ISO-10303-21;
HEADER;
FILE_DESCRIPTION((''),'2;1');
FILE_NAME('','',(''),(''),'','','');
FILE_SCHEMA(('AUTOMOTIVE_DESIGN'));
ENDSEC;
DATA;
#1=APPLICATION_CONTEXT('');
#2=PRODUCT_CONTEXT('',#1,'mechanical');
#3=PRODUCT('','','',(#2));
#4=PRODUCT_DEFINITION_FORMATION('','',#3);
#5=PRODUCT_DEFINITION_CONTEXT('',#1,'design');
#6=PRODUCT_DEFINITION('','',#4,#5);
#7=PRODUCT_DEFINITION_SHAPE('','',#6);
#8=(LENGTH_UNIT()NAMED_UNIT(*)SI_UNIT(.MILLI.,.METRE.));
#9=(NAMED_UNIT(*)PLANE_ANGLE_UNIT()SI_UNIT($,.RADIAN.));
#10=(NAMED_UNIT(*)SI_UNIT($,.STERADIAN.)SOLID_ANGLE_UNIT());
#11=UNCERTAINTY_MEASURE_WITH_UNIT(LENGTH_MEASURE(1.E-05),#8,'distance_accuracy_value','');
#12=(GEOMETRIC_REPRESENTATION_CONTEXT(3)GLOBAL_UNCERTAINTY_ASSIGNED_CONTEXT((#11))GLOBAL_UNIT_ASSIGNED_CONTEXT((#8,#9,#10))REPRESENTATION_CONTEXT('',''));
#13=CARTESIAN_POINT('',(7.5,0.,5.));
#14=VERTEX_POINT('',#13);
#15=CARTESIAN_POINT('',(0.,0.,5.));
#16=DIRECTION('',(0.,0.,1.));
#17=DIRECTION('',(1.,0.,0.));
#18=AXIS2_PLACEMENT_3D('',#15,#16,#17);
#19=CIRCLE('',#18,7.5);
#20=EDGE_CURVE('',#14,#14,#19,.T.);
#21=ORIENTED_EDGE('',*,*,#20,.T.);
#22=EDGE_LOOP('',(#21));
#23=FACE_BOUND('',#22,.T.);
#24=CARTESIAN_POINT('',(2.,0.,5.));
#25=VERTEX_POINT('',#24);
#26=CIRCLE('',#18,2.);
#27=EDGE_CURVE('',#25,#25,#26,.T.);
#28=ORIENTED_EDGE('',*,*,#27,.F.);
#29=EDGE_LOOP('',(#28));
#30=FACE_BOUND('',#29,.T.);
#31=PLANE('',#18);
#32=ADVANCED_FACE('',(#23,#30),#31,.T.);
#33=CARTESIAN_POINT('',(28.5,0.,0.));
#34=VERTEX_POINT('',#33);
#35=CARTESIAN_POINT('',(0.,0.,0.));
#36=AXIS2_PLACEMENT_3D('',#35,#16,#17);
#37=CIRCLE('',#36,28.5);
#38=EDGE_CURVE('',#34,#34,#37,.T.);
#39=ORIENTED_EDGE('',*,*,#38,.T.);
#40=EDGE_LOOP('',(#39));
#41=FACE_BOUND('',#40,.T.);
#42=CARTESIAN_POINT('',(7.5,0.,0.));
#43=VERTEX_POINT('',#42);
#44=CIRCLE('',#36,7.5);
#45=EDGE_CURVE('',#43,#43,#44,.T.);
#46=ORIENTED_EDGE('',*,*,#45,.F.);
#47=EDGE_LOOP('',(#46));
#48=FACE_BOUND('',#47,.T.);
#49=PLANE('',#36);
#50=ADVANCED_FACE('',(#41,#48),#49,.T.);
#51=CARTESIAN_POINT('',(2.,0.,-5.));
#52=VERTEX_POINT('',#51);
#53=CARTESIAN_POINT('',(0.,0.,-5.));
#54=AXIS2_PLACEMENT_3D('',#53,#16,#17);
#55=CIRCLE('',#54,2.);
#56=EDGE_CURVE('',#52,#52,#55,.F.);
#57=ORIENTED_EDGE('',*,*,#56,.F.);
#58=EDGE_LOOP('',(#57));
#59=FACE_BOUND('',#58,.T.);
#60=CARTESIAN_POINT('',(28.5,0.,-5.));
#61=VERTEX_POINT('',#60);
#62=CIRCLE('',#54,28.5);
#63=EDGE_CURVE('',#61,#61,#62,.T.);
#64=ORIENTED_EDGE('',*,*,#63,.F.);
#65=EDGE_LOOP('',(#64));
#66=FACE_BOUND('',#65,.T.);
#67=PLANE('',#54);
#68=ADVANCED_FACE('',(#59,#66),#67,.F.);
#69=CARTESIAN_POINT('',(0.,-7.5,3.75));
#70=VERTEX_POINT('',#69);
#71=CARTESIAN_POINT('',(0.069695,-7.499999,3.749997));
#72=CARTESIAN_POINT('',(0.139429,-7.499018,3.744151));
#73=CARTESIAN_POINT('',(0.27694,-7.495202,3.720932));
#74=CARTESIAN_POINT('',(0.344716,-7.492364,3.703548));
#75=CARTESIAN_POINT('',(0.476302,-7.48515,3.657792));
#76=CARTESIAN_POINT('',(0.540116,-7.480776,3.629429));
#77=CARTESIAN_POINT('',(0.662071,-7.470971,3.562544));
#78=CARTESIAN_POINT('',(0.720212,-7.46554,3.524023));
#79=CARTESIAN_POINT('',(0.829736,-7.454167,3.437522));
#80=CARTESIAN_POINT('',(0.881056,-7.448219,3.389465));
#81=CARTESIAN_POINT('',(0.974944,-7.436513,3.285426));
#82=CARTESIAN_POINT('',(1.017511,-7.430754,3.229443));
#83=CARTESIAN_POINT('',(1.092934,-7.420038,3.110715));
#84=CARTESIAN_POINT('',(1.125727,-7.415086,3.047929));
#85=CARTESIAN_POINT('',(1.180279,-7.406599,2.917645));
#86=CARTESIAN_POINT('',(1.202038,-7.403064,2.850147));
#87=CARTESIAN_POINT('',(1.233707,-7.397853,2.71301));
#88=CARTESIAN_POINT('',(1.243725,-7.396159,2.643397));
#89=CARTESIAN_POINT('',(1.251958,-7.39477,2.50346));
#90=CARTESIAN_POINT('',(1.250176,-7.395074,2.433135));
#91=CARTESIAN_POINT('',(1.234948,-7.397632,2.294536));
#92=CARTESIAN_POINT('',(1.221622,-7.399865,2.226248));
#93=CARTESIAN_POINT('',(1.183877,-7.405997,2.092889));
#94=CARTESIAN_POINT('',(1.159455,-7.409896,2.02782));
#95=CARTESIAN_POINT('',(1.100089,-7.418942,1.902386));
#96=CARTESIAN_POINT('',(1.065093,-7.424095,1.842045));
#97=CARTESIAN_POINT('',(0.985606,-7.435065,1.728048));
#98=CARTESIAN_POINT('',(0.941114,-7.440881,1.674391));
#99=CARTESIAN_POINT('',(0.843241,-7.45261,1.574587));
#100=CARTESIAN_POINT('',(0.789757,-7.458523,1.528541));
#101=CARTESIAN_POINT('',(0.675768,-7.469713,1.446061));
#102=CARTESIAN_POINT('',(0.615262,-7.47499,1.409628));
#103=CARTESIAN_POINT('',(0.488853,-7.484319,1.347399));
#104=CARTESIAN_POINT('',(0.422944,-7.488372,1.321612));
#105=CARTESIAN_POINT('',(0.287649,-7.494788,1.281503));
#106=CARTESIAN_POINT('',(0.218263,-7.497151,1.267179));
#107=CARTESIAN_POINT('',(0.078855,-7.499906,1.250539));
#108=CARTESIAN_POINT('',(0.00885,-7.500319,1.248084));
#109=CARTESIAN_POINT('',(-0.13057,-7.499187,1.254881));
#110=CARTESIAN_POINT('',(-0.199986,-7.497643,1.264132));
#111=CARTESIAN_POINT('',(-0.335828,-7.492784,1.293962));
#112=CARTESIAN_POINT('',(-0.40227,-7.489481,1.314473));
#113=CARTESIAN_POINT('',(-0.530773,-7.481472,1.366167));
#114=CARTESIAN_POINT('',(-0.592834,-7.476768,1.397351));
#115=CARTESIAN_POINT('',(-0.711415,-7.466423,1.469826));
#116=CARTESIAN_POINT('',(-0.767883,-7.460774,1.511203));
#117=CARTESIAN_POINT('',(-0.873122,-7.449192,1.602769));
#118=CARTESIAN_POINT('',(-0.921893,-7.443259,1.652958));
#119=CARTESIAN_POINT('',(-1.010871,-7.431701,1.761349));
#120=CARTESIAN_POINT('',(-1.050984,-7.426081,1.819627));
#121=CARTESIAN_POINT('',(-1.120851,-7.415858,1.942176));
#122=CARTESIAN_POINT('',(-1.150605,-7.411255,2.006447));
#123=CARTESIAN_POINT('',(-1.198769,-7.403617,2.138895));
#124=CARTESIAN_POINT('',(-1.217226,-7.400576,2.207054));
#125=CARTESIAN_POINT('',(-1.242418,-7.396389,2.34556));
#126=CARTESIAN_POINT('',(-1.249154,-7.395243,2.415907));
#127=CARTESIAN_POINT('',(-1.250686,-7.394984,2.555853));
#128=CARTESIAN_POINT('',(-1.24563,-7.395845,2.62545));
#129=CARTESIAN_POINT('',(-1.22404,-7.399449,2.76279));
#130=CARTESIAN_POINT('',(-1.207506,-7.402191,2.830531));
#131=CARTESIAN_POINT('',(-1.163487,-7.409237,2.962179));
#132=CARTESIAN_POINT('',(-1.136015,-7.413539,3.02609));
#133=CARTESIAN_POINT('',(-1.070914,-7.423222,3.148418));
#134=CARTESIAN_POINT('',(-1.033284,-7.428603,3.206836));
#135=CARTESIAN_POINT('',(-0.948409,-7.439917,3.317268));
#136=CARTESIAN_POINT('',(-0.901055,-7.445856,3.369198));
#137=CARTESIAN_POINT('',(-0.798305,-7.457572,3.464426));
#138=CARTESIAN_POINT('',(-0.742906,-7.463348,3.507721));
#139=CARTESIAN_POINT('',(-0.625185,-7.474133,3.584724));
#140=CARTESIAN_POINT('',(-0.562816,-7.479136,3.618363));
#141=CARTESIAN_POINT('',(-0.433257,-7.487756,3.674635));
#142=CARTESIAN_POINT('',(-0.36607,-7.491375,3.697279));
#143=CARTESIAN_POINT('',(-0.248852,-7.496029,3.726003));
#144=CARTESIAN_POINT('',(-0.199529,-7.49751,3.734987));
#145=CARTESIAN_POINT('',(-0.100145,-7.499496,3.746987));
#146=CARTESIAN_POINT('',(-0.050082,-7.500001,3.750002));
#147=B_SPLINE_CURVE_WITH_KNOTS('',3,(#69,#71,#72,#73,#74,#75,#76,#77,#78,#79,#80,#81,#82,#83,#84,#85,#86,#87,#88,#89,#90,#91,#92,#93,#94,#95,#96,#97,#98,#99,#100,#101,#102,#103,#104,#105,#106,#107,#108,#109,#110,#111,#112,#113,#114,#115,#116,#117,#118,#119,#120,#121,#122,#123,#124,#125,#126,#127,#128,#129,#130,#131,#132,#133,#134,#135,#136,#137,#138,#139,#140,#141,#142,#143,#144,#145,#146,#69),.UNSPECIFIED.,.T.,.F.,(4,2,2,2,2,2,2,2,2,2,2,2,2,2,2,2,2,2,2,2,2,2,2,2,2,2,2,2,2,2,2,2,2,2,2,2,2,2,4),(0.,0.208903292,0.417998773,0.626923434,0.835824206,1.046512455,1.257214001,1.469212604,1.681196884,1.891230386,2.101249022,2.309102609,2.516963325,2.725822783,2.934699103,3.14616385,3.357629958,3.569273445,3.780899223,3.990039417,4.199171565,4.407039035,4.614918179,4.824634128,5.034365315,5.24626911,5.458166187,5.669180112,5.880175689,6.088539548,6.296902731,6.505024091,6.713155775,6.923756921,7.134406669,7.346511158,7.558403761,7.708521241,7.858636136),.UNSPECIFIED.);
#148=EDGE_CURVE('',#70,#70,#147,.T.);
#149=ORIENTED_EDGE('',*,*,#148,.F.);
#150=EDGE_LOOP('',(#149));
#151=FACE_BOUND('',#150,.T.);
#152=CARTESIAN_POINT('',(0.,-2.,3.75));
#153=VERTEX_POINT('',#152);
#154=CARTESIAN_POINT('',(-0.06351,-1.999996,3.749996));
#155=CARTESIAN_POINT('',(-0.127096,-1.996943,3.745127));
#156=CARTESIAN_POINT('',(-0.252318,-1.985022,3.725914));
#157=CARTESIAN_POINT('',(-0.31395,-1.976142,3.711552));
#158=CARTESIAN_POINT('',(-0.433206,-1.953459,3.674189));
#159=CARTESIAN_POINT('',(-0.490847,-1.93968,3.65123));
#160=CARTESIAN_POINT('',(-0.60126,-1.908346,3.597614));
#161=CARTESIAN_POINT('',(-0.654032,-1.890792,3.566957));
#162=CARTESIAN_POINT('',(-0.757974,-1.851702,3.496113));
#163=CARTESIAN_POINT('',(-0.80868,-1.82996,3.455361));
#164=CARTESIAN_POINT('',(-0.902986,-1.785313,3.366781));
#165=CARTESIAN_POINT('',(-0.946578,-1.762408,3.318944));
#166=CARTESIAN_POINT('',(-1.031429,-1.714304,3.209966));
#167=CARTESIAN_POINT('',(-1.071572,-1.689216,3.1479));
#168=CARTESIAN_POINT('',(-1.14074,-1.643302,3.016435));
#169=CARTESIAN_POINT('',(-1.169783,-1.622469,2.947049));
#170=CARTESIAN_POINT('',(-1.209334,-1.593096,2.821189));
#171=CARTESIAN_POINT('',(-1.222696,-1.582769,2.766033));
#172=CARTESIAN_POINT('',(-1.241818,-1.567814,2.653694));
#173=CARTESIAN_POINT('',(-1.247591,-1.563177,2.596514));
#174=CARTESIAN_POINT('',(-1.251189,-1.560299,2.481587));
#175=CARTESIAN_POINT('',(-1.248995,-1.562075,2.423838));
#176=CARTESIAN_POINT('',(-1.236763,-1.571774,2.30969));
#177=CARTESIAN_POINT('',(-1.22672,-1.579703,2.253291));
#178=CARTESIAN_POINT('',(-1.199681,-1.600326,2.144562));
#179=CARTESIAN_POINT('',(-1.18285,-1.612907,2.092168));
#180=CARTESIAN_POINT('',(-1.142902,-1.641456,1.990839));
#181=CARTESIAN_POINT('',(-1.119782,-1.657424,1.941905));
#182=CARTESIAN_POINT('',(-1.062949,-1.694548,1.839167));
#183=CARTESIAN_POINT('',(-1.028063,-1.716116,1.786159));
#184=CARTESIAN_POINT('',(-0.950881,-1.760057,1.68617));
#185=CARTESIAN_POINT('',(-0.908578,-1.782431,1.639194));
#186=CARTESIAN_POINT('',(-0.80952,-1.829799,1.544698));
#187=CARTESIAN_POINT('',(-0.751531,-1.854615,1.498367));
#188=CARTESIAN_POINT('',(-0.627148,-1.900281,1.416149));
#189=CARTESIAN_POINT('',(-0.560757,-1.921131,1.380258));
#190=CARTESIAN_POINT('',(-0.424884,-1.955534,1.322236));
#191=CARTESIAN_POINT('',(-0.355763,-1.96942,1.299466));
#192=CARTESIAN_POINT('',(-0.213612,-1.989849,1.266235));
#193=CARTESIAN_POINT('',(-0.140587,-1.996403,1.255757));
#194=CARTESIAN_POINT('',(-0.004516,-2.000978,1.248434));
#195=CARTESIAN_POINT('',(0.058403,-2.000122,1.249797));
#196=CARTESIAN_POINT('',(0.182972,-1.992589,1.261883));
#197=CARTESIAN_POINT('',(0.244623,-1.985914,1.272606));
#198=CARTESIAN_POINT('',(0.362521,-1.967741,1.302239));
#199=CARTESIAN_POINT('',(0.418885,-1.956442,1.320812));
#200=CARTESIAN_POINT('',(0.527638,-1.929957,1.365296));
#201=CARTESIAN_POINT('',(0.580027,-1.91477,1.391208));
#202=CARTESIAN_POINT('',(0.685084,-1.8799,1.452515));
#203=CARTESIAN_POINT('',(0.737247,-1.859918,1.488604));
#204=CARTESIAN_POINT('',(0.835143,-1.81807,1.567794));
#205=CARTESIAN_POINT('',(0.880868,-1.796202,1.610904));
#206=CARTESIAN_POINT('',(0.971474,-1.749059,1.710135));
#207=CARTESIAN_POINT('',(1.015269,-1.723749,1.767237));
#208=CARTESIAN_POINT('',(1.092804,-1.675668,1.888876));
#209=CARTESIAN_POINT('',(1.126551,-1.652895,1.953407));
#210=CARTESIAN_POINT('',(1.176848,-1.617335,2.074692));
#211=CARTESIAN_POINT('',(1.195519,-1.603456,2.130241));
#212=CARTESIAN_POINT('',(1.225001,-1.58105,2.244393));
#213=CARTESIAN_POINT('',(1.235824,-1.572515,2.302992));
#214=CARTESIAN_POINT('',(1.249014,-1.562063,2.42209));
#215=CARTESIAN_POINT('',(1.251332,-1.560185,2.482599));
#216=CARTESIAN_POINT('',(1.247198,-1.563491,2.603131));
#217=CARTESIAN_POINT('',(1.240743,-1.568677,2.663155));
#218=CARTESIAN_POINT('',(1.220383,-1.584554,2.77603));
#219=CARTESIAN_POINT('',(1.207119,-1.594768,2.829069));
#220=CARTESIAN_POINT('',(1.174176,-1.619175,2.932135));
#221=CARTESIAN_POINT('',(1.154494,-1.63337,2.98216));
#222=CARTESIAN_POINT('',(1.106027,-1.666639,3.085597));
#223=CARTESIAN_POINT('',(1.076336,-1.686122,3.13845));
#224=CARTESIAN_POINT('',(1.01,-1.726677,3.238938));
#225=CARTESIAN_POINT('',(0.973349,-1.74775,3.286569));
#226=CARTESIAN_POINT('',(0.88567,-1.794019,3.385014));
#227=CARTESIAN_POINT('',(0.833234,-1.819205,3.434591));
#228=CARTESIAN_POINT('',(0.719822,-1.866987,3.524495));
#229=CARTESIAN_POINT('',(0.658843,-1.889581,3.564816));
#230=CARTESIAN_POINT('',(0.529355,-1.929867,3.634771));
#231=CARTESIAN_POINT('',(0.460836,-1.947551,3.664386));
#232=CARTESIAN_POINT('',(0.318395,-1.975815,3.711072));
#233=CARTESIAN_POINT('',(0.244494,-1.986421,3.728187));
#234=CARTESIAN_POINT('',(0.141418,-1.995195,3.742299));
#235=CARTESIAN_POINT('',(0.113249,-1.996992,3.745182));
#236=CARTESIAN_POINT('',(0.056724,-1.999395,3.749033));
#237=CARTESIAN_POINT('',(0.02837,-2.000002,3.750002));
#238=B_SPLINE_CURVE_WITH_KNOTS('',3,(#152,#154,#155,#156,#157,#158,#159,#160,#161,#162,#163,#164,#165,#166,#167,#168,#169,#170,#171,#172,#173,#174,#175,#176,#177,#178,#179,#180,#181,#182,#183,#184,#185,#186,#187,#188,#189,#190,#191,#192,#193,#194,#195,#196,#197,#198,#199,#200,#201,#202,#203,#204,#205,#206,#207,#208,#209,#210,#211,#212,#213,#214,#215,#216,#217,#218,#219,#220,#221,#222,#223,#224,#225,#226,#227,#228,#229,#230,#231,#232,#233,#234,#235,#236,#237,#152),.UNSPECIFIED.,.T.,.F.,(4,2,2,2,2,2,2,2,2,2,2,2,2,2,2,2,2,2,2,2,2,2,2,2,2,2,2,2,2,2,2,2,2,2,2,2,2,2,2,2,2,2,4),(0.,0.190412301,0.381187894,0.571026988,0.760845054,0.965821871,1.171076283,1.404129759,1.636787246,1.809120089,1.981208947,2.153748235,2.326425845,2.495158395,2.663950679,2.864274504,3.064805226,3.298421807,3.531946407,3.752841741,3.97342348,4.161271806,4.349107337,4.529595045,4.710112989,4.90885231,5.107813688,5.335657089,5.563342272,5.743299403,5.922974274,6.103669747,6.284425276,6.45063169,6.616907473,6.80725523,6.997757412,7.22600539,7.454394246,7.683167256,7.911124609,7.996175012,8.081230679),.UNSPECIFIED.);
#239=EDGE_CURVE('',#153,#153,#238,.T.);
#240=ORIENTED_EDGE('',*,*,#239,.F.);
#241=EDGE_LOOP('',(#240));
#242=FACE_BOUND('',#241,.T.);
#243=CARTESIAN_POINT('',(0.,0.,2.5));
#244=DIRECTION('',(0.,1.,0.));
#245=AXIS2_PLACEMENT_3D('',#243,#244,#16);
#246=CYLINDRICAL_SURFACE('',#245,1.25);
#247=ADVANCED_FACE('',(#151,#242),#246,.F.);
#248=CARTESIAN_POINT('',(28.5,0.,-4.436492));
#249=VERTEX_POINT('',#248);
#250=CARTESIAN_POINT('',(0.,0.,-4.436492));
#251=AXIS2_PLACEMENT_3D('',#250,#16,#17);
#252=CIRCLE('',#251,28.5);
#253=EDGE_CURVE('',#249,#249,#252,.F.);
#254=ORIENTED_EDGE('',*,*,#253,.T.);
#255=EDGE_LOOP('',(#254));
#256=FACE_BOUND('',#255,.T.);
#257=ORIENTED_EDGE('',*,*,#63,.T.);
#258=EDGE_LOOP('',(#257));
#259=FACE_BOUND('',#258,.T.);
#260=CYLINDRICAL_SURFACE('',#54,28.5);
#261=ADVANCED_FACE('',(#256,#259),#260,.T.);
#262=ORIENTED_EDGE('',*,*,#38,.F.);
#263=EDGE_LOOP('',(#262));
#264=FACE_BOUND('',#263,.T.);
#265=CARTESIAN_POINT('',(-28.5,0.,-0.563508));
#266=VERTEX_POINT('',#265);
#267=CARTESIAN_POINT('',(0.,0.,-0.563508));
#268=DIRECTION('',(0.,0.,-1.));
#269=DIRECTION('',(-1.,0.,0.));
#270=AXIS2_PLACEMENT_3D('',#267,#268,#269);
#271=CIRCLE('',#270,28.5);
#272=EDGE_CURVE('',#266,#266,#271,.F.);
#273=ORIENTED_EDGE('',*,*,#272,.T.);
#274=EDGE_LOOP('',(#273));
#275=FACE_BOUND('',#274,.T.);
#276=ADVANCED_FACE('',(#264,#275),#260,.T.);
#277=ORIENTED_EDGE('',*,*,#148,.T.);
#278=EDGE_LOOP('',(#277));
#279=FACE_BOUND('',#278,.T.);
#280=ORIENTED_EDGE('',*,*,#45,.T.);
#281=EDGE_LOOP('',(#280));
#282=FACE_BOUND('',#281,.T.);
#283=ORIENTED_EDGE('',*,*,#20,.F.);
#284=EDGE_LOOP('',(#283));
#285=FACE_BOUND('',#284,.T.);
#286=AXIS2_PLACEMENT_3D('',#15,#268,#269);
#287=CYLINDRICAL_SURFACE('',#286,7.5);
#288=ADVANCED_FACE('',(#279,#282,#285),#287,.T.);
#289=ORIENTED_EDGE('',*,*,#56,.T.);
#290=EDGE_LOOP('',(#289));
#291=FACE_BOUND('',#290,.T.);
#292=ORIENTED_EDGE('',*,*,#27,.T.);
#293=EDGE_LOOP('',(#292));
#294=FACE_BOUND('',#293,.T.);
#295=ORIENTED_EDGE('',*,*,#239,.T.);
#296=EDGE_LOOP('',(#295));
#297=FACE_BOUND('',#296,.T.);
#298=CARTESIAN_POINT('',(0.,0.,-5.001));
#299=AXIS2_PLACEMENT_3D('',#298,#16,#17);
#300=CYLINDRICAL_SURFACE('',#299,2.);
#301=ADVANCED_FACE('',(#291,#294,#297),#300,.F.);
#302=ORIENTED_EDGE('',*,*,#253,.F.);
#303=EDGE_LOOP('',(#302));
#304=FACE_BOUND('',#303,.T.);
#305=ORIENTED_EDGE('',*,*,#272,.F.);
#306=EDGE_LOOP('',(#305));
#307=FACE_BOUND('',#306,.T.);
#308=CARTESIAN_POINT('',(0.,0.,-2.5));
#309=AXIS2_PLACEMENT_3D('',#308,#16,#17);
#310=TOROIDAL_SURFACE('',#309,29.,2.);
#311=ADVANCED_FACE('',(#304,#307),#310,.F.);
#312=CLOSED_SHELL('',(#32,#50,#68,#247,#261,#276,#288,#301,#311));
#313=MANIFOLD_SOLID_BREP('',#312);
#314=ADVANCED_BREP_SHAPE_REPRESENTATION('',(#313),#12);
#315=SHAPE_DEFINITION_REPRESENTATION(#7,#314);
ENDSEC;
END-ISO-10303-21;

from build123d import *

# Parameters (mm, degrees)
ESQUISSE1_R      = 28.5
EXTRUSION1_DEPTH = 5
ESQUISSE2_R      = 7.5
EXTRUSION2_DEPTH = 5
EXTRUSION3_REACH = 12
ESQUISSE3_R      = 2
ESQUISSE12_W     = 1.25
ESQUISSE12_H     = 28.5


with BuildPart() as part:
    # Esquisse1 → Extrusion1 (new body)
    with BuildSketch(Plane.XY):
        Circle(ESQUISSE1_R)
    extrude(amount=-EXTRUSION1_DEPTH)

    # Esquisse2 → Extrusion2 (add)
    with BuildSketch(Plane.XY):
        Circle(ESQUISSE2_R)
    extrude(amount=EXTRUSION2_DEPTH)

    # Esquisse3 → Extrusion3 (cut, up to next)
    with BuildSketch(Plane.XY.offset(5), mode=Mode.PRIVATE) as extrusion3_sk1:
        Circle(ESQUISSE3_R)
    extrusion3_tool1 = extrude(extrusion3_sk1.sketch, amount=-EXTRUSION3_REACH, mode=Mode.PRIVATE) & part.part
    add(extrusion3_tool1.solids().sort_by_distance((0, 0, 5))[0], mode=Mode.SUBTRACT)

    # Esquisse6 → Enlèvement de matière-Révolution3 (revolve, cut)
    with BuildSketch(Plane(origin=(0, 0, 0), x_dir=(1, 0, 0), z_dir=(0, 1, 0))):
        with BuildLine():
            Line((-29, 4.5), (-31.449617094, 4.5))
            Line((-31.449617094, 4.5), (-31.449617094, 0.5))
            Line((-31.449617094, 0.5), (-29, 0.5))
            ThreePointArc((-29, 0.5), (-27, 2.5), (-29, 4.5))
        make_face()
    revolve(axis=Axis((0, 0, 5), (0, 0, -1)), mode=Mode.SUBTRACT)

    # Esquisse12 → Trou taraudé M3x0.55 (revolve, cut)
    with BuildSketch(Plane(origin=(0, 0, 2.5), x_dir=(0, 0, 1), z_dir=(1, 0, 0))):
        with Locations((0.625, 14.25)):
            Rectangle(ESQUISSE12_W, ESQUISSE12_H)
    revolve(axis=Axis((0, 6.35, 2.5), (0, -1, 0)), mode=Mode.SUBTRACT)


solid = part.part
